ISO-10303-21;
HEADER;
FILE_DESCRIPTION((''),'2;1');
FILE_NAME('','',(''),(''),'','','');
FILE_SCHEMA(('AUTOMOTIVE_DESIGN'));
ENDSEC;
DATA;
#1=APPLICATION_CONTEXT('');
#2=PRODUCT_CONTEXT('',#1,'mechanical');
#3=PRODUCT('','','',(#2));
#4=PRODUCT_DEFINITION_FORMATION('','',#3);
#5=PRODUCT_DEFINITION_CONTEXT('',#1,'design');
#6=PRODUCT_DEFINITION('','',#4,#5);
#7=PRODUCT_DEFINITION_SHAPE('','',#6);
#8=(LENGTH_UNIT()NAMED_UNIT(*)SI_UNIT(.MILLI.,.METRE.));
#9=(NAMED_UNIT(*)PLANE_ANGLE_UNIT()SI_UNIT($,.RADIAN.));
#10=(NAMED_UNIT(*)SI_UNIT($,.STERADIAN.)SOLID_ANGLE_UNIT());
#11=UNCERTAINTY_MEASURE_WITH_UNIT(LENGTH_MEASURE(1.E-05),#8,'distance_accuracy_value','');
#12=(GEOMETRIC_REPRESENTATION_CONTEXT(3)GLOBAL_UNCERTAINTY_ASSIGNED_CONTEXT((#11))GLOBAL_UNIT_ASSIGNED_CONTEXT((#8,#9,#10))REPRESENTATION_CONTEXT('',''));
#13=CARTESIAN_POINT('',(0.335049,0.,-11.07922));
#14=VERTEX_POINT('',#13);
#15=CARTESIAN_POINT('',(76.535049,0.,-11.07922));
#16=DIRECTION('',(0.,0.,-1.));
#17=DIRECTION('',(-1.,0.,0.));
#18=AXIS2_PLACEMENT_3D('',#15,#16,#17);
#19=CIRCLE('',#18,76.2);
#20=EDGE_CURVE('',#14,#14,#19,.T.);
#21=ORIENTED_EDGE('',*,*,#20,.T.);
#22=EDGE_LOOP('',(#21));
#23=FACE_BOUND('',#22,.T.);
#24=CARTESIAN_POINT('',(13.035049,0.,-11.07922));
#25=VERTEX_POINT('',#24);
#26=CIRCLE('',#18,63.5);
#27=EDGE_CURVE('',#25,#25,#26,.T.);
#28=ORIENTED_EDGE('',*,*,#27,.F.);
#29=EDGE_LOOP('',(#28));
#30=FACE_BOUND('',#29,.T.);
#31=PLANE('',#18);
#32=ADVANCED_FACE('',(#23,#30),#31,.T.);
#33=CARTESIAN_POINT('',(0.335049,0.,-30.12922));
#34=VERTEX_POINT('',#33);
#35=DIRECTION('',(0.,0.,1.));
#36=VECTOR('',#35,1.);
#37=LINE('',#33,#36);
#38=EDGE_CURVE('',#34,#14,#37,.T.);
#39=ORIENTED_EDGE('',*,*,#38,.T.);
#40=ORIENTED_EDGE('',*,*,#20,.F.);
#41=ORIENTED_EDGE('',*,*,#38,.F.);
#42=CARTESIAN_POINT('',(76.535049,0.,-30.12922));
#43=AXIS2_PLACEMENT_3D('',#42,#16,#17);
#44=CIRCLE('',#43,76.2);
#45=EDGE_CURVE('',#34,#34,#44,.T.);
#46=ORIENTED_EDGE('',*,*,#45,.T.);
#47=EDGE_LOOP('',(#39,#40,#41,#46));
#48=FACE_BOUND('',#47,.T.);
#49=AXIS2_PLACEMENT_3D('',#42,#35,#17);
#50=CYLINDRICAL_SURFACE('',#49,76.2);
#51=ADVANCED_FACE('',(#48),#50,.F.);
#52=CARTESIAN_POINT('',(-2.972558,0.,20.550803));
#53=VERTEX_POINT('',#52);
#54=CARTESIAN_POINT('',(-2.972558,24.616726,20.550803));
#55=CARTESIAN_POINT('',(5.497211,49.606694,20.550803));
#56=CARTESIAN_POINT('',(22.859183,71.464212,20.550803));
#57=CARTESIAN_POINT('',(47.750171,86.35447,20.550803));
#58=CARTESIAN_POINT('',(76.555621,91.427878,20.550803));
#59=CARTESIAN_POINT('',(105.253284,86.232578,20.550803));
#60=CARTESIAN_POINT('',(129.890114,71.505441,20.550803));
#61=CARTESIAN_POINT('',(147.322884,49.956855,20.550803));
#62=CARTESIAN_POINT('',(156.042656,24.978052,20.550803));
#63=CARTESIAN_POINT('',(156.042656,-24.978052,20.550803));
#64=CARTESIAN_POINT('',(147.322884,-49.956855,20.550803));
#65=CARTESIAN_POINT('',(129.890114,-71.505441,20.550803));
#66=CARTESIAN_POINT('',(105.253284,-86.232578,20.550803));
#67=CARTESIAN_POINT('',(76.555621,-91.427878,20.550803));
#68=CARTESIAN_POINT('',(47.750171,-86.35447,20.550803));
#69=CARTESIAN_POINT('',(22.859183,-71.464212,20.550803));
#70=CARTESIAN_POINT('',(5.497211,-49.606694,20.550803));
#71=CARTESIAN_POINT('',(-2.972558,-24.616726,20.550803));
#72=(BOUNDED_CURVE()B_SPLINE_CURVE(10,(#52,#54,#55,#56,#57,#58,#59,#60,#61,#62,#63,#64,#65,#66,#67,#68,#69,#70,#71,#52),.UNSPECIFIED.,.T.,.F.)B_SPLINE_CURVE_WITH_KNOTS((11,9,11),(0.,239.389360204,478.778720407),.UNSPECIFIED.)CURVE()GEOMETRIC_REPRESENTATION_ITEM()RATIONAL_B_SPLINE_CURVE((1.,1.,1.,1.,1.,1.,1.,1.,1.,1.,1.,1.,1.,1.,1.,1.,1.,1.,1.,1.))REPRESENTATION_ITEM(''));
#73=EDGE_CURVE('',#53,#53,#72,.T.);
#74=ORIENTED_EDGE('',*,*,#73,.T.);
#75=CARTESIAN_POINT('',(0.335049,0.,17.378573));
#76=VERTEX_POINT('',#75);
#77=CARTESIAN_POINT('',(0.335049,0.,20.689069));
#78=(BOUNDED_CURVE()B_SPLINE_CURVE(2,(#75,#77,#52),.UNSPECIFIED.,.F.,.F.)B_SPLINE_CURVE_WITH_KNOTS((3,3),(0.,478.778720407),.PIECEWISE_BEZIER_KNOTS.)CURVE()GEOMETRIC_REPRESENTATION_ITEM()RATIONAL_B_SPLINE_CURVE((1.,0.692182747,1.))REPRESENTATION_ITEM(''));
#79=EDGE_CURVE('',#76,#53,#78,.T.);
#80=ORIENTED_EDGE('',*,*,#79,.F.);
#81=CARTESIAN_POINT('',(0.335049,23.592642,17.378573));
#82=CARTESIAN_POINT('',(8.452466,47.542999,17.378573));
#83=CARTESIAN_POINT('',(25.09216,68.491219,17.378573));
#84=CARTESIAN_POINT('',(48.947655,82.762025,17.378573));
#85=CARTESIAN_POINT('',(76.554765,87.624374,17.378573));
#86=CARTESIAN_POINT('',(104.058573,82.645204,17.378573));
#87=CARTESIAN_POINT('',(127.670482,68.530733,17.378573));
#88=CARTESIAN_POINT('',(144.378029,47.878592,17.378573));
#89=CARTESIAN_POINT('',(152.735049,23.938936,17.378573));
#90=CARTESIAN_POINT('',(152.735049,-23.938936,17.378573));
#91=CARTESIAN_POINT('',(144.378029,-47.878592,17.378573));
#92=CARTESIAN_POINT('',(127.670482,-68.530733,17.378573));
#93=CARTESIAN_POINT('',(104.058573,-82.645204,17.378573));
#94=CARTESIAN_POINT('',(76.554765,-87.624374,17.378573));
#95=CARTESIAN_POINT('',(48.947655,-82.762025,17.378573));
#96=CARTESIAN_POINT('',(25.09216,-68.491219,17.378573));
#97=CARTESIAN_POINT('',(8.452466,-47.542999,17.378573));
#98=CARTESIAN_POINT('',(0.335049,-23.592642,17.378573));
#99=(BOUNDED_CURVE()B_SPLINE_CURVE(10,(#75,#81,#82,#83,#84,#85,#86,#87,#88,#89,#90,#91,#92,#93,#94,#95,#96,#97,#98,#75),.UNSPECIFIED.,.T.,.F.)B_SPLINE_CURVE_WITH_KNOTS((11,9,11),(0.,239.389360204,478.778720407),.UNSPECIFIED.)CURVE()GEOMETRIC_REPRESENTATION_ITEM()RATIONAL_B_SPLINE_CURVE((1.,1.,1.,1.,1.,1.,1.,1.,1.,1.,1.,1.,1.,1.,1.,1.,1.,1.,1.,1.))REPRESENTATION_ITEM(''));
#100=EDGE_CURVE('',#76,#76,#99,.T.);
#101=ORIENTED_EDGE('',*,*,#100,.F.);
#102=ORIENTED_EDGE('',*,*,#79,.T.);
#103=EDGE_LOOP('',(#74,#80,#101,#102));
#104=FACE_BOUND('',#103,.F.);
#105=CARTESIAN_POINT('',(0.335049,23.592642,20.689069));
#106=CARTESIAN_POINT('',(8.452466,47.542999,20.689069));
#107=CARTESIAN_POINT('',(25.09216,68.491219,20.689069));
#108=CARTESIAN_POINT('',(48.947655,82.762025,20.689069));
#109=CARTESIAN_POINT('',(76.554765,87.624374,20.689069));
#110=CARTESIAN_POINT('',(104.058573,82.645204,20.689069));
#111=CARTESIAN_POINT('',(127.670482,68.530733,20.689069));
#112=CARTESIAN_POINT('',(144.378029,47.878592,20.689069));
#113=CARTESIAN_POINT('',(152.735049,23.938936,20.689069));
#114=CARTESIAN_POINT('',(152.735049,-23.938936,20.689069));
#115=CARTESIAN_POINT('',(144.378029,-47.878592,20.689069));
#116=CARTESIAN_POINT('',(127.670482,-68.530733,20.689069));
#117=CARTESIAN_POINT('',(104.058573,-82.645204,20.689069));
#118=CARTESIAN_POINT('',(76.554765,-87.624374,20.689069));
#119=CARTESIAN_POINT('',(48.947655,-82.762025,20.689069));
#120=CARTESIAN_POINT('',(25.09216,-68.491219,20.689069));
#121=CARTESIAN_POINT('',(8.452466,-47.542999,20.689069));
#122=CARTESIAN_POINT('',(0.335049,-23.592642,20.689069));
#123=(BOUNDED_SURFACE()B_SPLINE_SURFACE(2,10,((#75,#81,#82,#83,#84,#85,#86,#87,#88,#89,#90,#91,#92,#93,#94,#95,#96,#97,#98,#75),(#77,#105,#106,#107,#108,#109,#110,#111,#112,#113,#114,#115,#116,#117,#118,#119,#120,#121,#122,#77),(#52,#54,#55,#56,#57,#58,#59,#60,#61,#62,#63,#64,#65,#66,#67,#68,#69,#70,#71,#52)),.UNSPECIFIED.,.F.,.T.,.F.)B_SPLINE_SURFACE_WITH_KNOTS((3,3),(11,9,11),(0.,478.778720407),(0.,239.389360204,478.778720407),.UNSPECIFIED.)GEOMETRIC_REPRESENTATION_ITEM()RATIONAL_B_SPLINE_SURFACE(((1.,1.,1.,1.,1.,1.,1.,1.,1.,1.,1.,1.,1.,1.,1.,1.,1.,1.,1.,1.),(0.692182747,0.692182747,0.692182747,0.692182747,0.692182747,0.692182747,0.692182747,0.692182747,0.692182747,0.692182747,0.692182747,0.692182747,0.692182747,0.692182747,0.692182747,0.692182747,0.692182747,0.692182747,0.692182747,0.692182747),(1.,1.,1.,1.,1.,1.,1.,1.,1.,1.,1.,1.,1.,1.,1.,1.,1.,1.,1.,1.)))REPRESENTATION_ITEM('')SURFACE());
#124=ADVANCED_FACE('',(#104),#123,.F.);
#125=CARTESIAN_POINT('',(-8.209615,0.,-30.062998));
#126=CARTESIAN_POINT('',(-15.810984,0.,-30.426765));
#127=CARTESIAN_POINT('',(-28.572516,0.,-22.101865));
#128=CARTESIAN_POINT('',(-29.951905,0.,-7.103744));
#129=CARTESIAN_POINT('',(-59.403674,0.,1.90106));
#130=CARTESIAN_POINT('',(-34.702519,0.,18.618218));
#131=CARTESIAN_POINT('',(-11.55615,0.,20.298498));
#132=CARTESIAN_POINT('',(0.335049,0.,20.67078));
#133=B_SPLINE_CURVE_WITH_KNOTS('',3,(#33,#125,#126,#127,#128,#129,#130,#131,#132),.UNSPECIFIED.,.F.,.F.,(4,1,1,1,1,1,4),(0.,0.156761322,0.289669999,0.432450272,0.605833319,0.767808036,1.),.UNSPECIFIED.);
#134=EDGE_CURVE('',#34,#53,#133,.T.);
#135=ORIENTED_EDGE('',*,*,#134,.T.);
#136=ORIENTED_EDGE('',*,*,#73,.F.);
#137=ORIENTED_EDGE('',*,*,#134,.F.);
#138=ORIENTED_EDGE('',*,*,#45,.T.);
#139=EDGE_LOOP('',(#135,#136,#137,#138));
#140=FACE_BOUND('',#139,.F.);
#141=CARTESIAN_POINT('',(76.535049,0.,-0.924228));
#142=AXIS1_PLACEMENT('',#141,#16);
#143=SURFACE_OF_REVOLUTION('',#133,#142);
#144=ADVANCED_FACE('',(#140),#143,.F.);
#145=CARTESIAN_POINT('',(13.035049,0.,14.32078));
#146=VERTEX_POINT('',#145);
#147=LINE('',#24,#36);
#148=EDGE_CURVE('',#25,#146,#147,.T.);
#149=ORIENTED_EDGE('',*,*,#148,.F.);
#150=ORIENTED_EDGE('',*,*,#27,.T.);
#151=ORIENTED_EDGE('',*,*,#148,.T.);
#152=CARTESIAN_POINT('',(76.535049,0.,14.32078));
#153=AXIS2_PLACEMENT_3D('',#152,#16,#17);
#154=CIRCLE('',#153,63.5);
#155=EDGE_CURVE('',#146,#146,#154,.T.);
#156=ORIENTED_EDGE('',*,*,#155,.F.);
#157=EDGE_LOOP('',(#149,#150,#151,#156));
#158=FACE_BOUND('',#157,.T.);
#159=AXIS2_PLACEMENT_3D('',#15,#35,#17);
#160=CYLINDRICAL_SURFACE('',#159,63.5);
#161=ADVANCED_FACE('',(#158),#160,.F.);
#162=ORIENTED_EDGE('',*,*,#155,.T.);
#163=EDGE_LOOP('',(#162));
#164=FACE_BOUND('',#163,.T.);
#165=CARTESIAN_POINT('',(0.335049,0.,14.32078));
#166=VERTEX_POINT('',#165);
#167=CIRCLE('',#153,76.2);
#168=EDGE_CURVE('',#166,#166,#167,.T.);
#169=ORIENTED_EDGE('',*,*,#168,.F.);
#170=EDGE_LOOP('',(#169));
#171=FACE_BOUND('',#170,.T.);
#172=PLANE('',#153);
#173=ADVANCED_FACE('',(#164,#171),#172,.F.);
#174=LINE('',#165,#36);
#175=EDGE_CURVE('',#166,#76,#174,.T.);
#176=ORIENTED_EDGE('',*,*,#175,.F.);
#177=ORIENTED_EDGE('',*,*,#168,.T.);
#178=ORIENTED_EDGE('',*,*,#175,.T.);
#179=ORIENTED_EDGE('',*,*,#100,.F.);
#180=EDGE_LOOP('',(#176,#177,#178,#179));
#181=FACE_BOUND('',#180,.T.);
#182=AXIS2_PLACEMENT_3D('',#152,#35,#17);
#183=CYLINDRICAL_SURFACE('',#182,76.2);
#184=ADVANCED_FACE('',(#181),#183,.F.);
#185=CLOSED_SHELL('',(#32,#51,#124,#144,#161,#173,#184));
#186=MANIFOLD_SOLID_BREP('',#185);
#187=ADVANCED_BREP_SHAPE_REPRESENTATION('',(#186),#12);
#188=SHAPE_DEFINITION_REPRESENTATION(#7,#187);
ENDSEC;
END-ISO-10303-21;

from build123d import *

# Parameters (mm, degrees)
F2_R = 3.175


with BuildPart() as f1:
    # F0 (on Front) → F1 (revolve)
    with BuildSketch(Plane.XZ):
        with BuildLine():
            Line((0.3350489762, -11.0792201133), (13.0350489762, -11.0792201133))
            Line((13.0350489762, -11.0792201133), (13.0350489762, 14.3207798867))
            Line((13.0350489762, 14.3207798867), (0.3350489762, 14.3207798867))
            Line((0.3350489762, 14.3207798867), (0.3350489762, 20.6707798867))
            add(Edge.make_bspline(
                [(0.3350489762, -30.1292201133), (-8.2096151535, -30.06299815), (-15.8109841412, -30.4267647962), (-28.572515602, -22.1018651773), (-29.9519049253, -7.103743724), (-59.4036744544, 1.901060293), (-34.7025187399, 18.6182179884), (-11.5561503496, 20.2984979156), (0.3350489762, 20.6707798867)],
                knots=[0, 0, 0, 0, 0.1567613221, 0.2896699988, 0.4324502723, 0.6058333187, 0.7678080364, 1, 1, 1, 1], degree=3))
            Line((0.3350489762, -30.1292201133), (0.3350489762, -11.0792201133))
        make_face()
    revolve(axis=Axis((76.5350489762, 0, -0.9242277592), (0, 0, -1)))

    # F2
    f2_edges = [f1.edges().sort_by_distance(p)[0] for p in [
        (152.735049, 0, 20.67078),
    ]]
    fillet(f2_edges, radius=F2_R)


solid = f1.part
